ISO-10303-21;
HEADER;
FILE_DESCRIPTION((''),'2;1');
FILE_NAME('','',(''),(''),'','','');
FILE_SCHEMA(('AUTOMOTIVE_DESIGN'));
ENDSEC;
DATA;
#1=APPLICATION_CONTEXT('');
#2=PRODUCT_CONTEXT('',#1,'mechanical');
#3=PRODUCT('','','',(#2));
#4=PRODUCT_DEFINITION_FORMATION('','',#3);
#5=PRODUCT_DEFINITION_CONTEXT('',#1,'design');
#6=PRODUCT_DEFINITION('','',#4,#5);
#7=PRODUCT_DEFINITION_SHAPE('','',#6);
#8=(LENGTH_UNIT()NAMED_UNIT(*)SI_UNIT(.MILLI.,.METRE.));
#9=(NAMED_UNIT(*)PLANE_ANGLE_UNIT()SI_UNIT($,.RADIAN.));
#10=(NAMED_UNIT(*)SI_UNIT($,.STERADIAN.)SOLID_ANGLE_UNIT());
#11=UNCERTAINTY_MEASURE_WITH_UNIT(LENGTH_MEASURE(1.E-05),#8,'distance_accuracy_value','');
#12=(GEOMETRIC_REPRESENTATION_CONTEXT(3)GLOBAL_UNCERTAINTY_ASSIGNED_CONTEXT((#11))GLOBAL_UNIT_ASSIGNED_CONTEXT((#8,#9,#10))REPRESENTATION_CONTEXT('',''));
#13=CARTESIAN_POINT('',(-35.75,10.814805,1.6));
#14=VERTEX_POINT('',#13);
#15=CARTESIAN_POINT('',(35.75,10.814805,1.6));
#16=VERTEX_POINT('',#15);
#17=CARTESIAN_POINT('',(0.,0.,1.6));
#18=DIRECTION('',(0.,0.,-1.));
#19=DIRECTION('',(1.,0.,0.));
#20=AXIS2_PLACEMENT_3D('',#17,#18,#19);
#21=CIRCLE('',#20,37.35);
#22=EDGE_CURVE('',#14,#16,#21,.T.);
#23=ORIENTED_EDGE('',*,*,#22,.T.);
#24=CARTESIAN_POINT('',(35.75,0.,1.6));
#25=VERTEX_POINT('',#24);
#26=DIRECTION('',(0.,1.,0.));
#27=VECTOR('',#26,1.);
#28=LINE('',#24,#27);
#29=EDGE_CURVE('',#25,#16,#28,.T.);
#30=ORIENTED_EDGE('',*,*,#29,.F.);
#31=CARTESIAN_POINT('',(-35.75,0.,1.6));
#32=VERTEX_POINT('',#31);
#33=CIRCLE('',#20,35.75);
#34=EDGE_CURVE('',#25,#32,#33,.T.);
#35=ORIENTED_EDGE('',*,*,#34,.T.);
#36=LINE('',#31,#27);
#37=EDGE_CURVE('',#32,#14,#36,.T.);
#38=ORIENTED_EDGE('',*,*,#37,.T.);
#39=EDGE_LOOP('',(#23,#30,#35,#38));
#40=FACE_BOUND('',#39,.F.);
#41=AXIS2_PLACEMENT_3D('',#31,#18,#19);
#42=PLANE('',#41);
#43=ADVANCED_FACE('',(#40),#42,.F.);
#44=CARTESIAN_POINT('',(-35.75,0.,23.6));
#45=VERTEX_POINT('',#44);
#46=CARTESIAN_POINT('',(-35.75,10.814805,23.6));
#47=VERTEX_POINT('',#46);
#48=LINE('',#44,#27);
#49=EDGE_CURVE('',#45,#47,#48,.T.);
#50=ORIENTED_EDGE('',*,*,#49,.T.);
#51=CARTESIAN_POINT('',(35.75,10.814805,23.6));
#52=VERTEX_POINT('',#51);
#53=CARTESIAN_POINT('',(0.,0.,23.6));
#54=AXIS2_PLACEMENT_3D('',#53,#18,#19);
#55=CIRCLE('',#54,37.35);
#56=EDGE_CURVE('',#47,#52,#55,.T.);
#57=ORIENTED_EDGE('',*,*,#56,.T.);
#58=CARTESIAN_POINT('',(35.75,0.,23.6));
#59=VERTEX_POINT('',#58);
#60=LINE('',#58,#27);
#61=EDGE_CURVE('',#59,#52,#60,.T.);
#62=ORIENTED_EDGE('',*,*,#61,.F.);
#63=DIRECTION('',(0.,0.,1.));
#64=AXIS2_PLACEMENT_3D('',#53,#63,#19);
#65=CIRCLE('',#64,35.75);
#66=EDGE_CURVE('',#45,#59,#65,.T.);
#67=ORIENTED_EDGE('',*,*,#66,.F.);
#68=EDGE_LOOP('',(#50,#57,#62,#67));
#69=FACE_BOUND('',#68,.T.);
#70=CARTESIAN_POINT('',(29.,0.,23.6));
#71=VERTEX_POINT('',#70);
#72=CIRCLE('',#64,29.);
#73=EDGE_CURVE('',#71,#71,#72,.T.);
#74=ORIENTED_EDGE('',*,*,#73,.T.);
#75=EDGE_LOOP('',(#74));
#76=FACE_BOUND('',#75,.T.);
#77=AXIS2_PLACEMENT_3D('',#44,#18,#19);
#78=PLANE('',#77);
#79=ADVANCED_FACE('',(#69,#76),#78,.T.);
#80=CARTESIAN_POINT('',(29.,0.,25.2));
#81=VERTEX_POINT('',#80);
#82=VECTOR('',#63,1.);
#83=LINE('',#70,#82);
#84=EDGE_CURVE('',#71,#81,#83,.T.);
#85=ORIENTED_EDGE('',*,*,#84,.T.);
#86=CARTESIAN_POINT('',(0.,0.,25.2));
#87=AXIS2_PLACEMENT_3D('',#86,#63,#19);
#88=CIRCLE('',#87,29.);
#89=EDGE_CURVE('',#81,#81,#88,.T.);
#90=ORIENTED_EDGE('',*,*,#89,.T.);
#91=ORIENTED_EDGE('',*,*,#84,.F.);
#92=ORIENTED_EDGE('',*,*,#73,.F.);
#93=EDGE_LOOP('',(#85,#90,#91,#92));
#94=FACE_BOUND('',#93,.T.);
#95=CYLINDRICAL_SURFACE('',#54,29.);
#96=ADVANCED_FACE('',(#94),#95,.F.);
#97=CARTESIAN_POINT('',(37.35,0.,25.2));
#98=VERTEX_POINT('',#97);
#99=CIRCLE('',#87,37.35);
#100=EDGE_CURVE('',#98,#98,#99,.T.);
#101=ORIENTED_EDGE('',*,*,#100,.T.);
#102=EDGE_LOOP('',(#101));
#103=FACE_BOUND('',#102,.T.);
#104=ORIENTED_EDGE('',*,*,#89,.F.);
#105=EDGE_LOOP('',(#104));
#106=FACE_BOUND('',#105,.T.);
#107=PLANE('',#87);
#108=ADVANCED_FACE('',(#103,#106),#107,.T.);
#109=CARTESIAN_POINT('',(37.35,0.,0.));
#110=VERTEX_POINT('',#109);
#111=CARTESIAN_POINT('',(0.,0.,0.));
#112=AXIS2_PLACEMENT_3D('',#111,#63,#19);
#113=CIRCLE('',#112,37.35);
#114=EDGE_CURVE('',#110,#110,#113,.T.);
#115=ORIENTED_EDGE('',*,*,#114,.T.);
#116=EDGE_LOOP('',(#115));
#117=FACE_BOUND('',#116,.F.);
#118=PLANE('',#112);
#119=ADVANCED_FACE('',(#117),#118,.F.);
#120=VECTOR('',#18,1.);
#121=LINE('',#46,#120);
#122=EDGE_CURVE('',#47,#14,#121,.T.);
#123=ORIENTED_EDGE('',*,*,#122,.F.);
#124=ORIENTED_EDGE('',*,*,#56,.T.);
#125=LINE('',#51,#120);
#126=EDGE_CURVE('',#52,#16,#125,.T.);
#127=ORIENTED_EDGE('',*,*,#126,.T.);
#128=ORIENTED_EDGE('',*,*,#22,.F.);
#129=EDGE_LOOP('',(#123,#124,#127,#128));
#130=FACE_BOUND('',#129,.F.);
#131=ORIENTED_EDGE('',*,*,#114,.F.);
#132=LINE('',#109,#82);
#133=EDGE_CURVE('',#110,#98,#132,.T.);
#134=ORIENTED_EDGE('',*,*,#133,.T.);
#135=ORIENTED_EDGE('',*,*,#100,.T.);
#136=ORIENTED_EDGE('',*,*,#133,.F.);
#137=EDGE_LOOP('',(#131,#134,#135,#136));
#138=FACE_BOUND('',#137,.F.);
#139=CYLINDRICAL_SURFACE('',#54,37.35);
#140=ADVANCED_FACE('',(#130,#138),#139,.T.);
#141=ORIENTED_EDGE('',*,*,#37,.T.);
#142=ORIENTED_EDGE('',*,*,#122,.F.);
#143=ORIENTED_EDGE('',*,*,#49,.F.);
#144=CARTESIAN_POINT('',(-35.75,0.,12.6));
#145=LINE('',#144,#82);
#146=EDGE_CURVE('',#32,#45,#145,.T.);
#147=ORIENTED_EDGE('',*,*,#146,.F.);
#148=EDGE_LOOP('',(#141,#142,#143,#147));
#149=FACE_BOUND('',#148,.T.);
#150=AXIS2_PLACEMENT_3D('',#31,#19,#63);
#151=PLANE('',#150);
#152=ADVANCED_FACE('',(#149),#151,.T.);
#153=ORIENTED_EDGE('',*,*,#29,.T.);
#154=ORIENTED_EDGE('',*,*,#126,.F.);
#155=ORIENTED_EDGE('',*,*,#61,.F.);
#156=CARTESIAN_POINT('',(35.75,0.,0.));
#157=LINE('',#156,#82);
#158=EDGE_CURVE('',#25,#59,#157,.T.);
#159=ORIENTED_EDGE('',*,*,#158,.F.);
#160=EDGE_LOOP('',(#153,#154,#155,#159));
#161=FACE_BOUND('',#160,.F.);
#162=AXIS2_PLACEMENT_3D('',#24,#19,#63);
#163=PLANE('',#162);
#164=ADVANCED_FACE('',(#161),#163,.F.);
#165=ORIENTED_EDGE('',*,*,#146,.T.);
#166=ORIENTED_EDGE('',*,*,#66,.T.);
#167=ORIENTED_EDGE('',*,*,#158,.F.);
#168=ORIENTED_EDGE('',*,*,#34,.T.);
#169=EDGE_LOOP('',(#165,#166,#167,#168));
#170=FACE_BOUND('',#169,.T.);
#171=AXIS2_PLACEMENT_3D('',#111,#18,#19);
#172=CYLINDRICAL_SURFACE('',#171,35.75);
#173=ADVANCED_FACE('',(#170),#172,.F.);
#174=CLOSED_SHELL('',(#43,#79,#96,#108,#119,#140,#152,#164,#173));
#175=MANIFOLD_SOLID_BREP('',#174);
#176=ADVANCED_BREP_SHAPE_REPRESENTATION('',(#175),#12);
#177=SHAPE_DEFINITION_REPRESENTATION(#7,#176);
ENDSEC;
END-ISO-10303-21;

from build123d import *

# Parameters (mm, degrees)
SKETCH_R      = 37.35
PAD_DEPTH     = 23.6
THICKNESS_T   = -1.6
SKETCH001_R   = 37.35
SKETCH001_R_2 = 29
PAD001_DEPTH  = 1.6
SKETCH002_W   = 71.5
SKETCH002_H   = 22
POCKET_DEPTH  = 50


with BuildPart() as part:
    # Sketch → Pad (new body)
    with BuildSketch(Plane.XY):
        Circle(SKETCH_R)
    extrude(amount=PAD_DEPTH)

    # Thickness
    thickness_openings = [part.faces().sort_by_distance(p)[0] for p in [
        (0, 0, 23.6),
    ]]
    offset(amount=THICKNESS_T, openings=thickness_openings)

    # Sketch001 (on Face3 of Thickness) → Pad001 (join)
    with BuildSketch(Plane.XY.offset(23.6)):
        Circle(SKETCH001_R)
        Circle(SKETCH001_R_2, mode=Mode.SUBTRACT)
    extrude(amount=PAD001_DEPTH)

    # Sketch002 → Pocket (cut)
    with BuildSketch(Plane.XZ):
        with Locations((0, 12.6)):
            Rectangle(SKETCH002_W, SKETCH002_H)
    extrude(amount=-POCKET_DEPTH, mode=Mode.SUBTRACT)


solid = part.part
